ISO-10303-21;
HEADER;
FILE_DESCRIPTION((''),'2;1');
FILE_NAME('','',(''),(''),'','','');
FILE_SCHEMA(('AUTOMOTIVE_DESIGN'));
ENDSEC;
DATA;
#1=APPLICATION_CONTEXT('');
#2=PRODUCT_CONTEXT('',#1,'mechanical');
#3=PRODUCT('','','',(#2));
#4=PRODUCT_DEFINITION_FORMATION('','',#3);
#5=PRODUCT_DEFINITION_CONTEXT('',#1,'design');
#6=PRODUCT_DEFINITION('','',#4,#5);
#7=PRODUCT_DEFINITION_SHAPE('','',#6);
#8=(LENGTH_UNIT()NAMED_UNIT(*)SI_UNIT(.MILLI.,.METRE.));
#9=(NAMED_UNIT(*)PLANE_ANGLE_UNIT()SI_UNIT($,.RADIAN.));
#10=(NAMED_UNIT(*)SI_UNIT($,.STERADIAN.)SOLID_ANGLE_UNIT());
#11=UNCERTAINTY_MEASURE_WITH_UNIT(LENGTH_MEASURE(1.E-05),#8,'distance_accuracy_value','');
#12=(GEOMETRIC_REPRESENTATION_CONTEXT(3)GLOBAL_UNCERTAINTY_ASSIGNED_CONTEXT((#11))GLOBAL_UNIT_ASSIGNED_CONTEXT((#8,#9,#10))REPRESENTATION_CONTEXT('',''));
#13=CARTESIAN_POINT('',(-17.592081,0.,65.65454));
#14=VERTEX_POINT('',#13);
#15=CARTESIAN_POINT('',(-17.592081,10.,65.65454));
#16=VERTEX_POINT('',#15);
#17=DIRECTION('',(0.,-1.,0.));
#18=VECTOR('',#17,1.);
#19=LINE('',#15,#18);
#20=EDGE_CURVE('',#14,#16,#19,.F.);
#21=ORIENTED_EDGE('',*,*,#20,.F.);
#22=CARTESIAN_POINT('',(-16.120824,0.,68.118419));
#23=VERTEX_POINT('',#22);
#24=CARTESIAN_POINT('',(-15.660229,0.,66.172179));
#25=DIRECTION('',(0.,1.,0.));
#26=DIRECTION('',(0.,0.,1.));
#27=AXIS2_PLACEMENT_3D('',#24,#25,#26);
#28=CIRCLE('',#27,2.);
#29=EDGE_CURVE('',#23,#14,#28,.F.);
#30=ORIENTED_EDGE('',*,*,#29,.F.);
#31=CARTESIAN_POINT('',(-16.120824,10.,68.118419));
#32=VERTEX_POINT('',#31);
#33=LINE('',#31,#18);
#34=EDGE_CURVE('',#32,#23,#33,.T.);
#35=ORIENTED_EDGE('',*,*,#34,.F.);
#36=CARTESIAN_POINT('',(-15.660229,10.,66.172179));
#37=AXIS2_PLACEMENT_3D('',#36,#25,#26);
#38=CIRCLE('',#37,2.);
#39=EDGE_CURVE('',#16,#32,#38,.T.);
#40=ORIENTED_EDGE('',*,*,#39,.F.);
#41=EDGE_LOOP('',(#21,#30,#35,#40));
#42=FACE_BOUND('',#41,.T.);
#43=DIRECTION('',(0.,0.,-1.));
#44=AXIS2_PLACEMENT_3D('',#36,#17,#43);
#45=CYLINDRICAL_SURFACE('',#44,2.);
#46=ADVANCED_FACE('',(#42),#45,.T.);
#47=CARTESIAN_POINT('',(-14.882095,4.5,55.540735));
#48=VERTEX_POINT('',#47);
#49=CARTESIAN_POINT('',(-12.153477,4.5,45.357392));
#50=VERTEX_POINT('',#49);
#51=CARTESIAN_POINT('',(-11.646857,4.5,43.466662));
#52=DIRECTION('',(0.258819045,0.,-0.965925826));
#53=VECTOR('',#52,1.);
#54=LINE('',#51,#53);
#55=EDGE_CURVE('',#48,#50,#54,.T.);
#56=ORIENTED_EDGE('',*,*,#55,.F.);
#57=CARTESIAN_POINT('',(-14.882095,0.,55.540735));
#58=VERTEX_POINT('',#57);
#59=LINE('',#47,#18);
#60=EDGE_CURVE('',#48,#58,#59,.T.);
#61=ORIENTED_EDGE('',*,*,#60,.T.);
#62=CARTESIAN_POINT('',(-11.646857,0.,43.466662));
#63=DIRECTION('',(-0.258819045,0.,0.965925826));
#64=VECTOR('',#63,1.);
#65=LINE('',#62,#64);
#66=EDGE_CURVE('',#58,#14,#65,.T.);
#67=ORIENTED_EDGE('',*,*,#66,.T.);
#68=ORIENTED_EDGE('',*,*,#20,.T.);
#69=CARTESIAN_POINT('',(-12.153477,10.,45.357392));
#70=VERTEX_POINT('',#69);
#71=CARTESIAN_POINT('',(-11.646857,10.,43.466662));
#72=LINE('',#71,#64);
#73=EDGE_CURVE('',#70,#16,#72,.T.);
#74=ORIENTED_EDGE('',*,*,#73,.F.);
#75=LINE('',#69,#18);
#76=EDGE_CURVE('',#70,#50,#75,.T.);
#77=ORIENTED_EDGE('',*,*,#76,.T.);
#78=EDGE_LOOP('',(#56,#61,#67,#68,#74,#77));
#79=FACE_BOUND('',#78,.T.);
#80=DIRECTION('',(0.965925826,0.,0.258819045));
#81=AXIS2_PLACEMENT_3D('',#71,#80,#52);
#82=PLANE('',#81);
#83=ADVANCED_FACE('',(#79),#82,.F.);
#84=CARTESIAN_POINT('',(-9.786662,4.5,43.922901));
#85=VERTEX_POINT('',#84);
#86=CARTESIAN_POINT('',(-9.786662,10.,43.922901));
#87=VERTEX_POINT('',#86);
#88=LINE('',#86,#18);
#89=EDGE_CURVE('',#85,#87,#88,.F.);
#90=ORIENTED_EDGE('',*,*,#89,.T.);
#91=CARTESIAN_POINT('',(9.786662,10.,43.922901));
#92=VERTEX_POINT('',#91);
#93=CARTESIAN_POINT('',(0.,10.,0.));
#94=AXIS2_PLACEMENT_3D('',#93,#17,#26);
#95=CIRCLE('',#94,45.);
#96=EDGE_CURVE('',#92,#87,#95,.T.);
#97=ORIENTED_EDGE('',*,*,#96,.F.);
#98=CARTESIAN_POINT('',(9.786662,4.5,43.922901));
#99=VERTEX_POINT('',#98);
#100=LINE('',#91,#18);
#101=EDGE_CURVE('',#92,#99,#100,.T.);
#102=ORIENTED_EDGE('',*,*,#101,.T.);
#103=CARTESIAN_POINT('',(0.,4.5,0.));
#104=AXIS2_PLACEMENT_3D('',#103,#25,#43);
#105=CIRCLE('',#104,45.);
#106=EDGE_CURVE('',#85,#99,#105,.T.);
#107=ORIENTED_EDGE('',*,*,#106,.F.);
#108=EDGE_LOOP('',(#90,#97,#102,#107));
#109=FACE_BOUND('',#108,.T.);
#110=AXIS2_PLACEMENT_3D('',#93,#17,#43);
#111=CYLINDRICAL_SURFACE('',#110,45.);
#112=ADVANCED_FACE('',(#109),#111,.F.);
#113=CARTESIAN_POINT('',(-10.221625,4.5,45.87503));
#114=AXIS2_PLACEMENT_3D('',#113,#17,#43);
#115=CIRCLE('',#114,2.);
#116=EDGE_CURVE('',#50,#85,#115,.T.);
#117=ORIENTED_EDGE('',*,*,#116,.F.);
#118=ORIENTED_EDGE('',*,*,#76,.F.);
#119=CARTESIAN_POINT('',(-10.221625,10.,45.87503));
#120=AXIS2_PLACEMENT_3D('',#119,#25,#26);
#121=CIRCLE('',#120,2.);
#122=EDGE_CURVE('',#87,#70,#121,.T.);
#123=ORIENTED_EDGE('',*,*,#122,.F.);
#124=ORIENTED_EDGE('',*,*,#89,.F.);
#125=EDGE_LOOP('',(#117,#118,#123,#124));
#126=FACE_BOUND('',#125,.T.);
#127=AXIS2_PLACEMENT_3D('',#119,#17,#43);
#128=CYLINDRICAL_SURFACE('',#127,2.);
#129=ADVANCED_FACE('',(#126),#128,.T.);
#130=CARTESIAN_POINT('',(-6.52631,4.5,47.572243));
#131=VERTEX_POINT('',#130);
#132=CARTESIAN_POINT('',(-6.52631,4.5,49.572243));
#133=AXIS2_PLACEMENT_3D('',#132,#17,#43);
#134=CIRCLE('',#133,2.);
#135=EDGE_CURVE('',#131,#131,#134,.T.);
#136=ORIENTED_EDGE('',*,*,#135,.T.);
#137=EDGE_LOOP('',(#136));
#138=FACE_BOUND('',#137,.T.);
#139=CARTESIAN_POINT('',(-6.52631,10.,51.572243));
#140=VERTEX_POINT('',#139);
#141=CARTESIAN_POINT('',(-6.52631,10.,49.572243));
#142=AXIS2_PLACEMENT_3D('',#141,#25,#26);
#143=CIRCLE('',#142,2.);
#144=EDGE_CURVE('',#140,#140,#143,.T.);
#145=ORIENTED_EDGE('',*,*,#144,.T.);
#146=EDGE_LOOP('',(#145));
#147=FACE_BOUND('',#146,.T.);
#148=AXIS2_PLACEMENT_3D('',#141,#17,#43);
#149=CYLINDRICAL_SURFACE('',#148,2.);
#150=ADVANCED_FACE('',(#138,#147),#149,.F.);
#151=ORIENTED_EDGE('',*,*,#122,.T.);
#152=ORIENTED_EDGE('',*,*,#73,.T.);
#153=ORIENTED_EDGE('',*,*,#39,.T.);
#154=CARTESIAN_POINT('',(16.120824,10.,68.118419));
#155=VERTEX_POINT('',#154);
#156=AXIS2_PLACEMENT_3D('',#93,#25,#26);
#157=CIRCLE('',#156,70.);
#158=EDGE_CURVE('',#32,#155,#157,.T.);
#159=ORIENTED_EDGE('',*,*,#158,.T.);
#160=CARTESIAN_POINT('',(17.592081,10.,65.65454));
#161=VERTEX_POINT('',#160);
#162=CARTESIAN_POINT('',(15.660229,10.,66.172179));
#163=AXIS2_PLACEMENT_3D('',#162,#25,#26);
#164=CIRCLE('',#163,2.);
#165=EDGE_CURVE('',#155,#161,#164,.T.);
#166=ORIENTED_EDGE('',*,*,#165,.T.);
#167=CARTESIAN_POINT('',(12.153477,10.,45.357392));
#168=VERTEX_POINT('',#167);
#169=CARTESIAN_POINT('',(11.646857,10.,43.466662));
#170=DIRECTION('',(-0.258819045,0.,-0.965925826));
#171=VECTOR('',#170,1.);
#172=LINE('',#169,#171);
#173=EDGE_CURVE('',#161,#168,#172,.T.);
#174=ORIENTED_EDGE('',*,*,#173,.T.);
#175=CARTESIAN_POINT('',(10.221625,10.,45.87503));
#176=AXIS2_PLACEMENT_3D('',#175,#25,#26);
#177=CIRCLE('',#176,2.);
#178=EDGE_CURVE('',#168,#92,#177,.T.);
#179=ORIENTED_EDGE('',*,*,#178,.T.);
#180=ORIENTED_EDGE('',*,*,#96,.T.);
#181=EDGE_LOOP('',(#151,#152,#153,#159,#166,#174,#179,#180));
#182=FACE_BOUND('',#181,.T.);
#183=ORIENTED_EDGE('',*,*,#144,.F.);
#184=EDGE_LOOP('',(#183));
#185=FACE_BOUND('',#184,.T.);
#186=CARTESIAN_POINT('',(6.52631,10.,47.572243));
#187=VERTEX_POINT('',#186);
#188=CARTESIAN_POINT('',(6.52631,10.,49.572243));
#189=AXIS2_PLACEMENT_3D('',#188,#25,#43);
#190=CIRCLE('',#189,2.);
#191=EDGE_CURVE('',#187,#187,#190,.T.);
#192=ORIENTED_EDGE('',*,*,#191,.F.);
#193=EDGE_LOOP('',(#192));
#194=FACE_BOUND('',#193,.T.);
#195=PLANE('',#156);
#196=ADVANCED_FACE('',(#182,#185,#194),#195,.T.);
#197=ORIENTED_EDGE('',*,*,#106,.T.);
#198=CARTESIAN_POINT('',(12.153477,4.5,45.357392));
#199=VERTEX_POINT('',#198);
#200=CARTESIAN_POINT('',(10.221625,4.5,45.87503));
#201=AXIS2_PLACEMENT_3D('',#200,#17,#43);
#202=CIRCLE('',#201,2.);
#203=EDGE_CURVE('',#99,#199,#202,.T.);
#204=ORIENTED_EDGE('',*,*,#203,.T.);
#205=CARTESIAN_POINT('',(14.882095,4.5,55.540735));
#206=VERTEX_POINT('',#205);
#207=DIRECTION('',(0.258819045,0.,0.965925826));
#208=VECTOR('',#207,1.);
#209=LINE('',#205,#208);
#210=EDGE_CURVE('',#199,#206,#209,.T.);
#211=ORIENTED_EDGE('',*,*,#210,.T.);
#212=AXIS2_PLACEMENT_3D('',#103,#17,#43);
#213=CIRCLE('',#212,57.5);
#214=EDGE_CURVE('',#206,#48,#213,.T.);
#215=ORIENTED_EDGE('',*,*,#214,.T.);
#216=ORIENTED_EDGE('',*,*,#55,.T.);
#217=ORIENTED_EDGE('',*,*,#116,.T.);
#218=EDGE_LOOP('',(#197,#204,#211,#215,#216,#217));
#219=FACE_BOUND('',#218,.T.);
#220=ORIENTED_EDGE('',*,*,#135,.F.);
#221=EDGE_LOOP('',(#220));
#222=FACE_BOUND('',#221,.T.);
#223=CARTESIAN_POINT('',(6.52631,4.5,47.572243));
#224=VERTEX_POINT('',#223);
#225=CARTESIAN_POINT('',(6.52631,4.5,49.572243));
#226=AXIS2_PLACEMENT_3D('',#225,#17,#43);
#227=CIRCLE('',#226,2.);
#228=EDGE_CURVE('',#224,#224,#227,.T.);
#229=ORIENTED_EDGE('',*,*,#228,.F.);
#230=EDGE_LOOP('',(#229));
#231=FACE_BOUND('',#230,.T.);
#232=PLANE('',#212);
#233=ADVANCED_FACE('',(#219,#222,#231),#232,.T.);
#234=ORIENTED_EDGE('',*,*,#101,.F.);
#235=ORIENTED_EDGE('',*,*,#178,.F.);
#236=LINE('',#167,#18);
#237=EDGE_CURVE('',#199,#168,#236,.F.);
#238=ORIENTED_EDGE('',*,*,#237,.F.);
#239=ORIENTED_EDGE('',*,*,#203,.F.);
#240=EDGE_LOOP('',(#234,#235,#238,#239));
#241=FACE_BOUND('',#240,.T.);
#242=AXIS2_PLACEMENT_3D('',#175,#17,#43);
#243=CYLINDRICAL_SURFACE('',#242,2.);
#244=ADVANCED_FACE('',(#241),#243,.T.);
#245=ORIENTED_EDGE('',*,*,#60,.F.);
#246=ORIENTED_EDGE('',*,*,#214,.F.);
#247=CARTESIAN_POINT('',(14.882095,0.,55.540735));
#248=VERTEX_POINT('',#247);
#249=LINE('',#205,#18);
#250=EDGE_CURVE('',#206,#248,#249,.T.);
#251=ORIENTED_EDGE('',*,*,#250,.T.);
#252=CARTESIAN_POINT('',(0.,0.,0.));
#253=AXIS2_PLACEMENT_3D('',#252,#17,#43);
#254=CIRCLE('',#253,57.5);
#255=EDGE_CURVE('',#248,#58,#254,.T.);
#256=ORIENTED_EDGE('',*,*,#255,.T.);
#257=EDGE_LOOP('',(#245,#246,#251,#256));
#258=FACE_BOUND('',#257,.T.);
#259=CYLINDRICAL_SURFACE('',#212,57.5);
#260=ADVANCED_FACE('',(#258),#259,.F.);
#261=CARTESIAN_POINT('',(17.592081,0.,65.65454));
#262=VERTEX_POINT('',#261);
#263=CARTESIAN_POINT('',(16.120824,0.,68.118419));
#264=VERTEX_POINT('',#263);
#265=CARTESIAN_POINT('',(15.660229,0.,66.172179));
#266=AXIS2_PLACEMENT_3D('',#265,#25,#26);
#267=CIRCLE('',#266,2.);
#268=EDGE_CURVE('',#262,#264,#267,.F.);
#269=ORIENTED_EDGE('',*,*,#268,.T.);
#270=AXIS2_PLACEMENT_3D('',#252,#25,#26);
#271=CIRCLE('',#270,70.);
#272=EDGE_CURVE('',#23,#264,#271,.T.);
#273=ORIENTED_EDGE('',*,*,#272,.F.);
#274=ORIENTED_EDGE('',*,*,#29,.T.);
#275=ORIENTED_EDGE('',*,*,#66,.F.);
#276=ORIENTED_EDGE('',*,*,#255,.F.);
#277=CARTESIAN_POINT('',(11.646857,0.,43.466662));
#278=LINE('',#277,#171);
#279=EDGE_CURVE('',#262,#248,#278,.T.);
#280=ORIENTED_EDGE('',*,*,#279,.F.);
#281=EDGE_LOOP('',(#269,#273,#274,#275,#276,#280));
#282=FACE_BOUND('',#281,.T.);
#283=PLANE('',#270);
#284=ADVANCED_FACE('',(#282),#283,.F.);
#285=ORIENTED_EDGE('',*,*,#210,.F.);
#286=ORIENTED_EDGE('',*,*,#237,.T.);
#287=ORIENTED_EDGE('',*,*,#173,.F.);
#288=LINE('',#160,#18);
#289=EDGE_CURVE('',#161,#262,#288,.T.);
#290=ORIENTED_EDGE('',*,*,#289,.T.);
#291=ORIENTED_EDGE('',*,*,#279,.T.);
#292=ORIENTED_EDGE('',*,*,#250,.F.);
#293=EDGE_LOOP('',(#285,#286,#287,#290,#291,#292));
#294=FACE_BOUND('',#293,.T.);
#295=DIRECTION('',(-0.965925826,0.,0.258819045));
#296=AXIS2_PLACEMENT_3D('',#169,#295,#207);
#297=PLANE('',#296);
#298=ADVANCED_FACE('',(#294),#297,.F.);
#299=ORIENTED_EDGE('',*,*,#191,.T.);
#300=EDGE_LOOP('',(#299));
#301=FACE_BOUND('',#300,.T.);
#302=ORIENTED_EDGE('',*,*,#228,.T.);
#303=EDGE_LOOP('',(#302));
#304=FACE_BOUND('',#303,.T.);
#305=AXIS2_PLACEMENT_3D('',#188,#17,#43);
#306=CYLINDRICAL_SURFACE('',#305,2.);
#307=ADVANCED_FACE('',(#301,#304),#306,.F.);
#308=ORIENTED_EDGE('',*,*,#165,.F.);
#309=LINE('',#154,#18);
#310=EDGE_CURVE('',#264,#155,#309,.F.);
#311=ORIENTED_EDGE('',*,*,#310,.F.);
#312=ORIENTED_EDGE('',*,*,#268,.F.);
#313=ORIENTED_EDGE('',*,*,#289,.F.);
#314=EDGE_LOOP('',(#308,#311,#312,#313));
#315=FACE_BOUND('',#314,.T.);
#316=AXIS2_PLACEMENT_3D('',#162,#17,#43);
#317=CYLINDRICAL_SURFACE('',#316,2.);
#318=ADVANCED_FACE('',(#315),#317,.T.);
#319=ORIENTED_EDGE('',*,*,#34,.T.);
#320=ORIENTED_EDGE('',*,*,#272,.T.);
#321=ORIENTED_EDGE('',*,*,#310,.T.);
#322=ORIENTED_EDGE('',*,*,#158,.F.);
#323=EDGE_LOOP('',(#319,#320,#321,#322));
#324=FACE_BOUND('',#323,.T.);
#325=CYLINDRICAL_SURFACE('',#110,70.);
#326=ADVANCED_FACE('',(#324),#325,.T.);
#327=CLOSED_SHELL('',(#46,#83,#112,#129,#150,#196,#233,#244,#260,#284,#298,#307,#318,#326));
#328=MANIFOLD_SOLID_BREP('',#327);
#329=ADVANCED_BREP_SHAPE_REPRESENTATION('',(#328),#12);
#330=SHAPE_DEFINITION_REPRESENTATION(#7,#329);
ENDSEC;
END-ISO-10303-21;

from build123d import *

# Parameters (mm, degrees)
SKETCH_1_R          = 2
EXTRUDE_1_DEPTH     = 10
CUT_EXTRUDE_1_DEPTH = 4.5
FILLET_1_R          = 2


with BuildPart() as part:
    # ｽｹｯﾁ1 → ﾎﾞｽ - 押し出し1 (new body)
    with BuildSketch(Plane(origin=(0, 0, 0), x_dir=(1, 0, 0), z_dir=(0, 1, 0))):
        with BuildLine():
            Line((-11.64685703, -43.466662183), (-18.117333157, -67.61480784))
            ThreePointArc((-18.117333157, -67.61480784), (0, -70), (18.117333157, -67.61480784))
            Line((18.117333157, -67.61480784), (11.64685703, -43.466662183))
            ThreePointArc((11.64685703, -43.466662183), (0, -45), (-11.64685703, -43.466662183))
        make_face()
        with Locations(Location((-6.526309611, -49.572243069, 0), (0, 0, 270))):
            Circle(SKETCH_1_R, mode=Mode.SUBTRACT)
        with Locations(Location((6.526309611, -49.572243069, 0), (0, 0, 90))):
            Circle(SKETCH_1_R, mode=Mode.SUBTRACT)
    extrude(amount=EXTRUDE_1_DEPTH)

    # ｽｹｯﾁ2 → ｶｯﾄ - 押し出し1 (cut)
    with BuildSketch(Plane.XZ):
        with BuildLine():
            Line((14.882095093, 55.540735012), (11.64685703, 43.466662183))
            ThreePointArc((11.64685703, 43.466662183), (0, 45), (-11.64685703, 43.466662183))
            Line((-11.64685703, 43.466662183), (-14.882095093, 55.540735012))
            ThreePointArc((-14.882095093, 55.540735012), (0, 57.5), (14.882095093, 55.540735012))
        make_face()
    extrude(amount=-CUT_EXTRUDE_1_DEPTH, mode=Mode.SUBTRACT)

    # ﾌｨﾚｯﾄ1
    fillet_1_edges = [part.edges().sort_by_distance(p)[0] for p in [
        (-18.117333157, 5, 67.61480784),
        (-11.64685703, 7.25, 43.466662183),
        (11.64685703, 7.25, 43.466662183),
        (18.117333157, 5, 67.61480784),
    ]]
    fillet(fillet_1_edges, radius=FILLET_1_R)


solid = part.part
